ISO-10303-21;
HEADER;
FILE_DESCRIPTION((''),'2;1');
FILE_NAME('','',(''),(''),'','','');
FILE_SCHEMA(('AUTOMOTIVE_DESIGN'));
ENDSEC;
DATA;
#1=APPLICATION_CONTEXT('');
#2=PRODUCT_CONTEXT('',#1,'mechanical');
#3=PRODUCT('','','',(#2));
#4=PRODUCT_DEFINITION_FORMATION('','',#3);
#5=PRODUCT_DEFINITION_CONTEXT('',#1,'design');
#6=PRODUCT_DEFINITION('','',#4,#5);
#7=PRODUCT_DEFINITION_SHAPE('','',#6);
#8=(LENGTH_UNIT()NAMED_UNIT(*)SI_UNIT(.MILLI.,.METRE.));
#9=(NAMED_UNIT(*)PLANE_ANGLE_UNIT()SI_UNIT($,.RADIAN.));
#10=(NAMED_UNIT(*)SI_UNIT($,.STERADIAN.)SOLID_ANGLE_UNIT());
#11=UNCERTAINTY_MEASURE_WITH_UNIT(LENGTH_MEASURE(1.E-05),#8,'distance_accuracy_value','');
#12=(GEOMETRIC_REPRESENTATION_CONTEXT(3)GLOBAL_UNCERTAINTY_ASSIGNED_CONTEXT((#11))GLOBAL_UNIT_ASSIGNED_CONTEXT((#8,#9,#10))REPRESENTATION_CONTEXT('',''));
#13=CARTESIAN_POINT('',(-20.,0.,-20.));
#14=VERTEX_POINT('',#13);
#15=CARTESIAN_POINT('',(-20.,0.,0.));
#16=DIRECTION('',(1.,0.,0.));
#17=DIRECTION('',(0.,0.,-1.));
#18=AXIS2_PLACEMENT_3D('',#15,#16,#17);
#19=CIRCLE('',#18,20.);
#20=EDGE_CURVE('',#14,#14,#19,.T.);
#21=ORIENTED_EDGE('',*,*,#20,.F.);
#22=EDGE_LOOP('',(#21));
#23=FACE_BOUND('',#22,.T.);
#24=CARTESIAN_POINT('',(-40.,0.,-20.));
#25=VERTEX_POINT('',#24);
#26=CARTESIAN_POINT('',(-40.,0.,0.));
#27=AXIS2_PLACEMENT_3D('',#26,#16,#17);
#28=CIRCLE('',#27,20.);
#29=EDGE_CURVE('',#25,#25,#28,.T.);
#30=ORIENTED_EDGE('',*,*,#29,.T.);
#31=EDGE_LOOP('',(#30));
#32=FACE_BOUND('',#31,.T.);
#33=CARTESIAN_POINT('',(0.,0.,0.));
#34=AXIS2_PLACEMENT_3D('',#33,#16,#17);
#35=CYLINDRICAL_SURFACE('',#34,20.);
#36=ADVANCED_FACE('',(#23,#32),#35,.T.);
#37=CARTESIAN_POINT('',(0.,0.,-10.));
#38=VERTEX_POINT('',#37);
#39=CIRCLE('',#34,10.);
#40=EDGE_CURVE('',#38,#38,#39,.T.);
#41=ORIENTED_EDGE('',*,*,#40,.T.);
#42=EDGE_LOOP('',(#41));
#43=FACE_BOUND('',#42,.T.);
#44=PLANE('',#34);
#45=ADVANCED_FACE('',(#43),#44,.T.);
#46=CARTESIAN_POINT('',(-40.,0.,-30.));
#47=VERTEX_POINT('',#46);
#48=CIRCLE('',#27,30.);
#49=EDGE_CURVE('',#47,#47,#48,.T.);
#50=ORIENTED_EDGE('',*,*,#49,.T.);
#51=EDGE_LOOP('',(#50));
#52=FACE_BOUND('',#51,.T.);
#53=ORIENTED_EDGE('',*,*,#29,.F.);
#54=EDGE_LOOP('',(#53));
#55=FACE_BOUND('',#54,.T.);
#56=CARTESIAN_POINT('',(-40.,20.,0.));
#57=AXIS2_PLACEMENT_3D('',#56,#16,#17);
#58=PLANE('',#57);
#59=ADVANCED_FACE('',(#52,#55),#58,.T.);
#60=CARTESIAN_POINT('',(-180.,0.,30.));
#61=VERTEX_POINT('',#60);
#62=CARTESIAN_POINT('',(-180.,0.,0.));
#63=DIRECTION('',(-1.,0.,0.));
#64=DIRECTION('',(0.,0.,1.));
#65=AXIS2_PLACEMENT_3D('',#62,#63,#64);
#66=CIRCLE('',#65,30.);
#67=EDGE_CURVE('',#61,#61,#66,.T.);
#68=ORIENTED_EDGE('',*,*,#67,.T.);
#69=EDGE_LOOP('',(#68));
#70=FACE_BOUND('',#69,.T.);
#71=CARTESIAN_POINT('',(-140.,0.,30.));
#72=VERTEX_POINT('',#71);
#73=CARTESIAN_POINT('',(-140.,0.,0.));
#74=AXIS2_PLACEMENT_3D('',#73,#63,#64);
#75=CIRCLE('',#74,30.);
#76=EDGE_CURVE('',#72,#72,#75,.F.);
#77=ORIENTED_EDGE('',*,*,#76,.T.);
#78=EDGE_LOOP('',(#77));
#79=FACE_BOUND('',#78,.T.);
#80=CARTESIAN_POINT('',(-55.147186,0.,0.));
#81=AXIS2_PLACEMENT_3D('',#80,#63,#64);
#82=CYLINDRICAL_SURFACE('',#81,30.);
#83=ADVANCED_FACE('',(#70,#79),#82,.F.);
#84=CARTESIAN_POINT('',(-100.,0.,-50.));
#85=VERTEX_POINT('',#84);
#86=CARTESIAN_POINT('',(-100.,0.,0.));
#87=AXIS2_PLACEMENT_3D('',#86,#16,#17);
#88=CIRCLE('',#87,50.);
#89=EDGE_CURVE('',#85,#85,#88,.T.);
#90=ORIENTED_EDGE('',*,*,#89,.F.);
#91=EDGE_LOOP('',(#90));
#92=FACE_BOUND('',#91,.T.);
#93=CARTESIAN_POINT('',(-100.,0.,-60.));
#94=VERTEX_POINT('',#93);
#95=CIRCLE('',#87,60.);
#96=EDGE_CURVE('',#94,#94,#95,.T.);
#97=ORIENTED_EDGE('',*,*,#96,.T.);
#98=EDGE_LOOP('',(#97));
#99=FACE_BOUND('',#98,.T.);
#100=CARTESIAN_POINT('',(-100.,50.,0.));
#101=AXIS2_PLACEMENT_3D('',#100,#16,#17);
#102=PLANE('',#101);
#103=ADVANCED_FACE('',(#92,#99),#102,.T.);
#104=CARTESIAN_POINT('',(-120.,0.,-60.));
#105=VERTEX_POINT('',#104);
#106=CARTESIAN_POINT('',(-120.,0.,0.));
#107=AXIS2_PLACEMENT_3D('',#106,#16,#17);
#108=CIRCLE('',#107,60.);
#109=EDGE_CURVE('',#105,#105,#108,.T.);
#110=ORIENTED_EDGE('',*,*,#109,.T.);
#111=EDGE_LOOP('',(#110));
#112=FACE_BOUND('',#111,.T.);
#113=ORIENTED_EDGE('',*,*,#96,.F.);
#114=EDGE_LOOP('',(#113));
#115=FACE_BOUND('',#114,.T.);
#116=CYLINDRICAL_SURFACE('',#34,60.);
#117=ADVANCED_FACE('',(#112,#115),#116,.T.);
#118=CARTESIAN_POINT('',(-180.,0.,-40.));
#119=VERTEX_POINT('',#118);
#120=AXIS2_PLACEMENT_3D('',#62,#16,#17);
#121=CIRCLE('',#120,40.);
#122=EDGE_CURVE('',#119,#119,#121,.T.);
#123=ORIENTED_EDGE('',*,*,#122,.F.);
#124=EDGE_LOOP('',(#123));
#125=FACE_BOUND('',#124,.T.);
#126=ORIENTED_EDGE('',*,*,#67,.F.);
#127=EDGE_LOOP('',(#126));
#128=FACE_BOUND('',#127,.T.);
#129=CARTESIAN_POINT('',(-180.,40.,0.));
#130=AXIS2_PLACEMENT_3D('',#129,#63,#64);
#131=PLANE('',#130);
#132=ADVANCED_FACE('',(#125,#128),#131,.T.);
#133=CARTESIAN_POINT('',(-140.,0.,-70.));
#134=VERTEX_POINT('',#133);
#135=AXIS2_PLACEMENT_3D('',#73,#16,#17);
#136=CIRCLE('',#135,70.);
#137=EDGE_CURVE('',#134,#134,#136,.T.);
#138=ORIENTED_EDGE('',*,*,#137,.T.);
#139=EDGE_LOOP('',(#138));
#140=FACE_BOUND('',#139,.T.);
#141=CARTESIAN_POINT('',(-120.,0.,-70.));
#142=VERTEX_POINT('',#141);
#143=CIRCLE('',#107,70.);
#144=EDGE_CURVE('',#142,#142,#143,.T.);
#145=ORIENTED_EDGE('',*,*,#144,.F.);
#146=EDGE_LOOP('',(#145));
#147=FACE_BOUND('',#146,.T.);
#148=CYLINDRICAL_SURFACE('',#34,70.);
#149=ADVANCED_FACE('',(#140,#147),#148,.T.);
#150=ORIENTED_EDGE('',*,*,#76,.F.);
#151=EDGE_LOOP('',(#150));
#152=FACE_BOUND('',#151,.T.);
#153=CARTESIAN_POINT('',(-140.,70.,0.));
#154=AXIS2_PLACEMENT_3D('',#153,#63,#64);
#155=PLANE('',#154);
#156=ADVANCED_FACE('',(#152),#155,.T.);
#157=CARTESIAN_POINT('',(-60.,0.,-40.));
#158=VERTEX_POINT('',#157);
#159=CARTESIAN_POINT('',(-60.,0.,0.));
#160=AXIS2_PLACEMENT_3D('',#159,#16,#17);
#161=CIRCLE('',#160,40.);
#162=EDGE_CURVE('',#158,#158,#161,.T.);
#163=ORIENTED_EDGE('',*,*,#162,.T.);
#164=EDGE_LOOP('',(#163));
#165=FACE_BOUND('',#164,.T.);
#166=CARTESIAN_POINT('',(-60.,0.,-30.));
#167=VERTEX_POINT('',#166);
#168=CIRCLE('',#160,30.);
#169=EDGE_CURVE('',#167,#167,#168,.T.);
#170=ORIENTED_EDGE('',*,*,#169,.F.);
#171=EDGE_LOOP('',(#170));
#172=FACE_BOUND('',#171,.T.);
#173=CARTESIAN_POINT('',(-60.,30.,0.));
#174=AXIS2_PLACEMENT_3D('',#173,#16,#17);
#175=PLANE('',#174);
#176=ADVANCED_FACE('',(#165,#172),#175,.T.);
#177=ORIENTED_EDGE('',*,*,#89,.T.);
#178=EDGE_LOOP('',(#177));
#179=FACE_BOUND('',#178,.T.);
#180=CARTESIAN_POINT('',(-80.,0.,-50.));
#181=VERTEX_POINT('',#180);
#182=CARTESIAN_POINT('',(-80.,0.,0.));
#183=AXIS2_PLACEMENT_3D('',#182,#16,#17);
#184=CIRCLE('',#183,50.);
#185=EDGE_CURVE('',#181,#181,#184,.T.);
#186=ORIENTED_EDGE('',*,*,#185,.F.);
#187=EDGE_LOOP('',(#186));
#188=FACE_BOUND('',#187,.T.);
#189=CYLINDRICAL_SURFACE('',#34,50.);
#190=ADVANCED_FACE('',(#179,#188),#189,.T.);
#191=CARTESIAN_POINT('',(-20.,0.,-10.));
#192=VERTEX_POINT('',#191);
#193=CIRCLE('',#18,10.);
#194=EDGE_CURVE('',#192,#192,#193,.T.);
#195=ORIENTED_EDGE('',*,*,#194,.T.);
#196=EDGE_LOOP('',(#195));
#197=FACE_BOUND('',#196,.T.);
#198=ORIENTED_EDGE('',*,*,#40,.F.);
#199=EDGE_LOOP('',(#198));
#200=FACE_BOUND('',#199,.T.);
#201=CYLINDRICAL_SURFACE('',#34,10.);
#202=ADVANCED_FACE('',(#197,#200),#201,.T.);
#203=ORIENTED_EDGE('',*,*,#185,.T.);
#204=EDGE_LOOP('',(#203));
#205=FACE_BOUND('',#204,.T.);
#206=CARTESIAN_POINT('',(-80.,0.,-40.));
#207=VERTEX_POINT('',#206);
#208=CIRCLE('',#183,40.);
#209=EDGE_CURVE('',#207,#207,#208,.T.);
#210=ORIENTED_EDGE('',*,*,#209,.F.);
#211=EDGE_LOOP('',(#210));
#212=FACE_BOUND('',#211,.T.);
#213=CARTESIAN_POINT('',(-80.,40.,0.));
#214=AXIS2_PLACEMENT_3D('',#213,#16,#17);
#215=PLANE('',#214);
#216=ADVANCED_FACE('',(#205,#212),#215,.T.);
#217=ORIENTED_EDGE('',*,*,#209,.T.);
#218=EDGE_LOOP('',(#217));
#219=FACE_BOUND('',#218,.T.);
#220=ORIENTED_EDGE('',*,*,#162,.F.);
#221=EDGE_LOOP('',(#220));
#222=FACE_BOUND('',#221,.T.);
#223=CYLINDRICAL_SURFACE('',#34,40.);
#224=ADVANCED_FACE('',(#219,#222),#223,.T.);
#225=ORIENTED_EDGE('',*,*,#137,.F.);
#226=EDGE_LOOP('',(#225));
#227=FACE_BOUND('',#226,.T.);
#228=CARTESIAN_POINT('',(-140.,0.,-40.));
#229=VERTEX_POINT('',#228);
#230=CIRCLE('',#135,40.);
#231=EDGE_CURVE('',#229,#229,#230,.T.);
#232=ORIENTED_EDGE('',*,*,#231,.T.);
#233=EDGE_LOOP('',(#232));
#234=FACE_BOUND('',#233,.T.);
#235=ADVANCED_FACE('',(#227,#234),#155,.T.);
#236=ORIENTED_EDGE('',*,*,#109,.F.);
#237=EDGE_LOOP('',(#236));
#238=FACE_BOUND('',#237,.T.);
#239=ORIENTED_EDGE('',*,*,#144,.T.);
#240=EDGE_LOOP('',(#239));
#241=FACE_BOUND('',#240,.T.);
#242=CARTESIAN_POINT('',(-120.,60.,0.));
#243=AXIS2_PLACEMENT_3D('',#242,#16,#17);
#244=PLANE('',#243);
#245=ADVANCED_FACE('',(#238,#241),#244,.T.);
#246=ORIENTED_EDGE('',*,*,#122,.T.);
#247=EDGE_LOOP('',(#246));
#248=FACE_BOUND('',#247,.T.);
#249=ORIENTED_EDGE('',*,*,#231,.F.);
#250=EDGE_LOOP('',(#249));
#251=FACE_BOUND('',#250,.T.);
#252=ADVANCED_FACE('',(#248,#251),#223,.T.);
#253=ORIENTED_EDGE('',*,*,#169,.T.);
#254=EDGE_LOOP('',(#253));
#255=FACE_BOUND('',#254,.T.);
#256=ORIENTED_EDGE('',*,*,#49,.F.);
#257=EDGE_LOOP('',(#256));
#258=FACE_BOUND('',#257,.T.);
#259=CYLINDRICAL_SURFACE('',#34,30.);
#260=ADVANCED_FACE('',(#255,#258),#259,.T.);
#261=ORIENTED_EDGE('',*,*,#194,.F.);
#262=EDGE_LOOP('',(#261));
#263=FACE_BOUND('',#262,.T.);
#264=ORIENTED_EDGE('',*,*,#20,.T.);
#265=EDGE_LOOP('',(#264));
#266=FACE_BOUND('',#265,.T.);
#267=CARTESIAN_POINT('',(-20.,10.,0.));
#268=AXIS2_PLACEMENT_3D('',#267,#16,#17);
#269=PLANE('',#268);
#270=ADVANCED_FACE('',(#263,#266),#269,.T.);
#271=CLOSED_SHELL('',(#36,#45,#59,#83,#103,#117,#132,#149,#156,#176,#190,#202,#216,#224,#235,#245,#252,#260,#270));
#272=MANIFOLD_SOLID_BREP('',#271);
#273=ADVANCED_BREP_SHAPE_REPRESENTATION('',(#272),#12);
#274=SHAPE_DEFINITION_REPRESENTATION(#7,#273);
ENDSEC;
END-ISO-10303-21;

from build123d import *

# Parameters (mm, degrees)
SKETCH2_R          = 30
CUT_EXTRUDE1_DEPTH = 40


with BuildPart() as part:
    # Sketch1 → Revolve1 (revolve)
    with BuildSketch(Plane.XY, mode=Mode.PRIVATE) as revolve1_sk:
        Polygon((0, 0), (0, 10), (-20, 10), (-20, 20), (-40, 20), (-40, 30), (-60, 30), (-60, 40), (-80, 40), (-80, 50), (-100, 50), (-100, 60), (-120, 60), (-120, 70), (-140, 70), (-140, 40), (-180, 40), (-180, 0), align=None)
    revolve(revolve1_sk.sketch.rotate(Axis((0, 0, 0), (-1, 0, 0)), 90), axis=Axis((0, 0, 0), (-1, 0, 0)))  # turned: the seam where the file's is

    # Sketch2 → Cut-Extrude1 (cut)
    with BuildSketch(Plane.ZY.offset(180)):
        with Locations(Location((0, 0, 0), (0, 0, 180))):  # turned: the seam where the file's is
            Circle(SKETCH2_R)
    extrude(amount=-CUT_EXTRUDE1_DEPTH, mode=Mode.SUBTRACT)


solid = part.part
